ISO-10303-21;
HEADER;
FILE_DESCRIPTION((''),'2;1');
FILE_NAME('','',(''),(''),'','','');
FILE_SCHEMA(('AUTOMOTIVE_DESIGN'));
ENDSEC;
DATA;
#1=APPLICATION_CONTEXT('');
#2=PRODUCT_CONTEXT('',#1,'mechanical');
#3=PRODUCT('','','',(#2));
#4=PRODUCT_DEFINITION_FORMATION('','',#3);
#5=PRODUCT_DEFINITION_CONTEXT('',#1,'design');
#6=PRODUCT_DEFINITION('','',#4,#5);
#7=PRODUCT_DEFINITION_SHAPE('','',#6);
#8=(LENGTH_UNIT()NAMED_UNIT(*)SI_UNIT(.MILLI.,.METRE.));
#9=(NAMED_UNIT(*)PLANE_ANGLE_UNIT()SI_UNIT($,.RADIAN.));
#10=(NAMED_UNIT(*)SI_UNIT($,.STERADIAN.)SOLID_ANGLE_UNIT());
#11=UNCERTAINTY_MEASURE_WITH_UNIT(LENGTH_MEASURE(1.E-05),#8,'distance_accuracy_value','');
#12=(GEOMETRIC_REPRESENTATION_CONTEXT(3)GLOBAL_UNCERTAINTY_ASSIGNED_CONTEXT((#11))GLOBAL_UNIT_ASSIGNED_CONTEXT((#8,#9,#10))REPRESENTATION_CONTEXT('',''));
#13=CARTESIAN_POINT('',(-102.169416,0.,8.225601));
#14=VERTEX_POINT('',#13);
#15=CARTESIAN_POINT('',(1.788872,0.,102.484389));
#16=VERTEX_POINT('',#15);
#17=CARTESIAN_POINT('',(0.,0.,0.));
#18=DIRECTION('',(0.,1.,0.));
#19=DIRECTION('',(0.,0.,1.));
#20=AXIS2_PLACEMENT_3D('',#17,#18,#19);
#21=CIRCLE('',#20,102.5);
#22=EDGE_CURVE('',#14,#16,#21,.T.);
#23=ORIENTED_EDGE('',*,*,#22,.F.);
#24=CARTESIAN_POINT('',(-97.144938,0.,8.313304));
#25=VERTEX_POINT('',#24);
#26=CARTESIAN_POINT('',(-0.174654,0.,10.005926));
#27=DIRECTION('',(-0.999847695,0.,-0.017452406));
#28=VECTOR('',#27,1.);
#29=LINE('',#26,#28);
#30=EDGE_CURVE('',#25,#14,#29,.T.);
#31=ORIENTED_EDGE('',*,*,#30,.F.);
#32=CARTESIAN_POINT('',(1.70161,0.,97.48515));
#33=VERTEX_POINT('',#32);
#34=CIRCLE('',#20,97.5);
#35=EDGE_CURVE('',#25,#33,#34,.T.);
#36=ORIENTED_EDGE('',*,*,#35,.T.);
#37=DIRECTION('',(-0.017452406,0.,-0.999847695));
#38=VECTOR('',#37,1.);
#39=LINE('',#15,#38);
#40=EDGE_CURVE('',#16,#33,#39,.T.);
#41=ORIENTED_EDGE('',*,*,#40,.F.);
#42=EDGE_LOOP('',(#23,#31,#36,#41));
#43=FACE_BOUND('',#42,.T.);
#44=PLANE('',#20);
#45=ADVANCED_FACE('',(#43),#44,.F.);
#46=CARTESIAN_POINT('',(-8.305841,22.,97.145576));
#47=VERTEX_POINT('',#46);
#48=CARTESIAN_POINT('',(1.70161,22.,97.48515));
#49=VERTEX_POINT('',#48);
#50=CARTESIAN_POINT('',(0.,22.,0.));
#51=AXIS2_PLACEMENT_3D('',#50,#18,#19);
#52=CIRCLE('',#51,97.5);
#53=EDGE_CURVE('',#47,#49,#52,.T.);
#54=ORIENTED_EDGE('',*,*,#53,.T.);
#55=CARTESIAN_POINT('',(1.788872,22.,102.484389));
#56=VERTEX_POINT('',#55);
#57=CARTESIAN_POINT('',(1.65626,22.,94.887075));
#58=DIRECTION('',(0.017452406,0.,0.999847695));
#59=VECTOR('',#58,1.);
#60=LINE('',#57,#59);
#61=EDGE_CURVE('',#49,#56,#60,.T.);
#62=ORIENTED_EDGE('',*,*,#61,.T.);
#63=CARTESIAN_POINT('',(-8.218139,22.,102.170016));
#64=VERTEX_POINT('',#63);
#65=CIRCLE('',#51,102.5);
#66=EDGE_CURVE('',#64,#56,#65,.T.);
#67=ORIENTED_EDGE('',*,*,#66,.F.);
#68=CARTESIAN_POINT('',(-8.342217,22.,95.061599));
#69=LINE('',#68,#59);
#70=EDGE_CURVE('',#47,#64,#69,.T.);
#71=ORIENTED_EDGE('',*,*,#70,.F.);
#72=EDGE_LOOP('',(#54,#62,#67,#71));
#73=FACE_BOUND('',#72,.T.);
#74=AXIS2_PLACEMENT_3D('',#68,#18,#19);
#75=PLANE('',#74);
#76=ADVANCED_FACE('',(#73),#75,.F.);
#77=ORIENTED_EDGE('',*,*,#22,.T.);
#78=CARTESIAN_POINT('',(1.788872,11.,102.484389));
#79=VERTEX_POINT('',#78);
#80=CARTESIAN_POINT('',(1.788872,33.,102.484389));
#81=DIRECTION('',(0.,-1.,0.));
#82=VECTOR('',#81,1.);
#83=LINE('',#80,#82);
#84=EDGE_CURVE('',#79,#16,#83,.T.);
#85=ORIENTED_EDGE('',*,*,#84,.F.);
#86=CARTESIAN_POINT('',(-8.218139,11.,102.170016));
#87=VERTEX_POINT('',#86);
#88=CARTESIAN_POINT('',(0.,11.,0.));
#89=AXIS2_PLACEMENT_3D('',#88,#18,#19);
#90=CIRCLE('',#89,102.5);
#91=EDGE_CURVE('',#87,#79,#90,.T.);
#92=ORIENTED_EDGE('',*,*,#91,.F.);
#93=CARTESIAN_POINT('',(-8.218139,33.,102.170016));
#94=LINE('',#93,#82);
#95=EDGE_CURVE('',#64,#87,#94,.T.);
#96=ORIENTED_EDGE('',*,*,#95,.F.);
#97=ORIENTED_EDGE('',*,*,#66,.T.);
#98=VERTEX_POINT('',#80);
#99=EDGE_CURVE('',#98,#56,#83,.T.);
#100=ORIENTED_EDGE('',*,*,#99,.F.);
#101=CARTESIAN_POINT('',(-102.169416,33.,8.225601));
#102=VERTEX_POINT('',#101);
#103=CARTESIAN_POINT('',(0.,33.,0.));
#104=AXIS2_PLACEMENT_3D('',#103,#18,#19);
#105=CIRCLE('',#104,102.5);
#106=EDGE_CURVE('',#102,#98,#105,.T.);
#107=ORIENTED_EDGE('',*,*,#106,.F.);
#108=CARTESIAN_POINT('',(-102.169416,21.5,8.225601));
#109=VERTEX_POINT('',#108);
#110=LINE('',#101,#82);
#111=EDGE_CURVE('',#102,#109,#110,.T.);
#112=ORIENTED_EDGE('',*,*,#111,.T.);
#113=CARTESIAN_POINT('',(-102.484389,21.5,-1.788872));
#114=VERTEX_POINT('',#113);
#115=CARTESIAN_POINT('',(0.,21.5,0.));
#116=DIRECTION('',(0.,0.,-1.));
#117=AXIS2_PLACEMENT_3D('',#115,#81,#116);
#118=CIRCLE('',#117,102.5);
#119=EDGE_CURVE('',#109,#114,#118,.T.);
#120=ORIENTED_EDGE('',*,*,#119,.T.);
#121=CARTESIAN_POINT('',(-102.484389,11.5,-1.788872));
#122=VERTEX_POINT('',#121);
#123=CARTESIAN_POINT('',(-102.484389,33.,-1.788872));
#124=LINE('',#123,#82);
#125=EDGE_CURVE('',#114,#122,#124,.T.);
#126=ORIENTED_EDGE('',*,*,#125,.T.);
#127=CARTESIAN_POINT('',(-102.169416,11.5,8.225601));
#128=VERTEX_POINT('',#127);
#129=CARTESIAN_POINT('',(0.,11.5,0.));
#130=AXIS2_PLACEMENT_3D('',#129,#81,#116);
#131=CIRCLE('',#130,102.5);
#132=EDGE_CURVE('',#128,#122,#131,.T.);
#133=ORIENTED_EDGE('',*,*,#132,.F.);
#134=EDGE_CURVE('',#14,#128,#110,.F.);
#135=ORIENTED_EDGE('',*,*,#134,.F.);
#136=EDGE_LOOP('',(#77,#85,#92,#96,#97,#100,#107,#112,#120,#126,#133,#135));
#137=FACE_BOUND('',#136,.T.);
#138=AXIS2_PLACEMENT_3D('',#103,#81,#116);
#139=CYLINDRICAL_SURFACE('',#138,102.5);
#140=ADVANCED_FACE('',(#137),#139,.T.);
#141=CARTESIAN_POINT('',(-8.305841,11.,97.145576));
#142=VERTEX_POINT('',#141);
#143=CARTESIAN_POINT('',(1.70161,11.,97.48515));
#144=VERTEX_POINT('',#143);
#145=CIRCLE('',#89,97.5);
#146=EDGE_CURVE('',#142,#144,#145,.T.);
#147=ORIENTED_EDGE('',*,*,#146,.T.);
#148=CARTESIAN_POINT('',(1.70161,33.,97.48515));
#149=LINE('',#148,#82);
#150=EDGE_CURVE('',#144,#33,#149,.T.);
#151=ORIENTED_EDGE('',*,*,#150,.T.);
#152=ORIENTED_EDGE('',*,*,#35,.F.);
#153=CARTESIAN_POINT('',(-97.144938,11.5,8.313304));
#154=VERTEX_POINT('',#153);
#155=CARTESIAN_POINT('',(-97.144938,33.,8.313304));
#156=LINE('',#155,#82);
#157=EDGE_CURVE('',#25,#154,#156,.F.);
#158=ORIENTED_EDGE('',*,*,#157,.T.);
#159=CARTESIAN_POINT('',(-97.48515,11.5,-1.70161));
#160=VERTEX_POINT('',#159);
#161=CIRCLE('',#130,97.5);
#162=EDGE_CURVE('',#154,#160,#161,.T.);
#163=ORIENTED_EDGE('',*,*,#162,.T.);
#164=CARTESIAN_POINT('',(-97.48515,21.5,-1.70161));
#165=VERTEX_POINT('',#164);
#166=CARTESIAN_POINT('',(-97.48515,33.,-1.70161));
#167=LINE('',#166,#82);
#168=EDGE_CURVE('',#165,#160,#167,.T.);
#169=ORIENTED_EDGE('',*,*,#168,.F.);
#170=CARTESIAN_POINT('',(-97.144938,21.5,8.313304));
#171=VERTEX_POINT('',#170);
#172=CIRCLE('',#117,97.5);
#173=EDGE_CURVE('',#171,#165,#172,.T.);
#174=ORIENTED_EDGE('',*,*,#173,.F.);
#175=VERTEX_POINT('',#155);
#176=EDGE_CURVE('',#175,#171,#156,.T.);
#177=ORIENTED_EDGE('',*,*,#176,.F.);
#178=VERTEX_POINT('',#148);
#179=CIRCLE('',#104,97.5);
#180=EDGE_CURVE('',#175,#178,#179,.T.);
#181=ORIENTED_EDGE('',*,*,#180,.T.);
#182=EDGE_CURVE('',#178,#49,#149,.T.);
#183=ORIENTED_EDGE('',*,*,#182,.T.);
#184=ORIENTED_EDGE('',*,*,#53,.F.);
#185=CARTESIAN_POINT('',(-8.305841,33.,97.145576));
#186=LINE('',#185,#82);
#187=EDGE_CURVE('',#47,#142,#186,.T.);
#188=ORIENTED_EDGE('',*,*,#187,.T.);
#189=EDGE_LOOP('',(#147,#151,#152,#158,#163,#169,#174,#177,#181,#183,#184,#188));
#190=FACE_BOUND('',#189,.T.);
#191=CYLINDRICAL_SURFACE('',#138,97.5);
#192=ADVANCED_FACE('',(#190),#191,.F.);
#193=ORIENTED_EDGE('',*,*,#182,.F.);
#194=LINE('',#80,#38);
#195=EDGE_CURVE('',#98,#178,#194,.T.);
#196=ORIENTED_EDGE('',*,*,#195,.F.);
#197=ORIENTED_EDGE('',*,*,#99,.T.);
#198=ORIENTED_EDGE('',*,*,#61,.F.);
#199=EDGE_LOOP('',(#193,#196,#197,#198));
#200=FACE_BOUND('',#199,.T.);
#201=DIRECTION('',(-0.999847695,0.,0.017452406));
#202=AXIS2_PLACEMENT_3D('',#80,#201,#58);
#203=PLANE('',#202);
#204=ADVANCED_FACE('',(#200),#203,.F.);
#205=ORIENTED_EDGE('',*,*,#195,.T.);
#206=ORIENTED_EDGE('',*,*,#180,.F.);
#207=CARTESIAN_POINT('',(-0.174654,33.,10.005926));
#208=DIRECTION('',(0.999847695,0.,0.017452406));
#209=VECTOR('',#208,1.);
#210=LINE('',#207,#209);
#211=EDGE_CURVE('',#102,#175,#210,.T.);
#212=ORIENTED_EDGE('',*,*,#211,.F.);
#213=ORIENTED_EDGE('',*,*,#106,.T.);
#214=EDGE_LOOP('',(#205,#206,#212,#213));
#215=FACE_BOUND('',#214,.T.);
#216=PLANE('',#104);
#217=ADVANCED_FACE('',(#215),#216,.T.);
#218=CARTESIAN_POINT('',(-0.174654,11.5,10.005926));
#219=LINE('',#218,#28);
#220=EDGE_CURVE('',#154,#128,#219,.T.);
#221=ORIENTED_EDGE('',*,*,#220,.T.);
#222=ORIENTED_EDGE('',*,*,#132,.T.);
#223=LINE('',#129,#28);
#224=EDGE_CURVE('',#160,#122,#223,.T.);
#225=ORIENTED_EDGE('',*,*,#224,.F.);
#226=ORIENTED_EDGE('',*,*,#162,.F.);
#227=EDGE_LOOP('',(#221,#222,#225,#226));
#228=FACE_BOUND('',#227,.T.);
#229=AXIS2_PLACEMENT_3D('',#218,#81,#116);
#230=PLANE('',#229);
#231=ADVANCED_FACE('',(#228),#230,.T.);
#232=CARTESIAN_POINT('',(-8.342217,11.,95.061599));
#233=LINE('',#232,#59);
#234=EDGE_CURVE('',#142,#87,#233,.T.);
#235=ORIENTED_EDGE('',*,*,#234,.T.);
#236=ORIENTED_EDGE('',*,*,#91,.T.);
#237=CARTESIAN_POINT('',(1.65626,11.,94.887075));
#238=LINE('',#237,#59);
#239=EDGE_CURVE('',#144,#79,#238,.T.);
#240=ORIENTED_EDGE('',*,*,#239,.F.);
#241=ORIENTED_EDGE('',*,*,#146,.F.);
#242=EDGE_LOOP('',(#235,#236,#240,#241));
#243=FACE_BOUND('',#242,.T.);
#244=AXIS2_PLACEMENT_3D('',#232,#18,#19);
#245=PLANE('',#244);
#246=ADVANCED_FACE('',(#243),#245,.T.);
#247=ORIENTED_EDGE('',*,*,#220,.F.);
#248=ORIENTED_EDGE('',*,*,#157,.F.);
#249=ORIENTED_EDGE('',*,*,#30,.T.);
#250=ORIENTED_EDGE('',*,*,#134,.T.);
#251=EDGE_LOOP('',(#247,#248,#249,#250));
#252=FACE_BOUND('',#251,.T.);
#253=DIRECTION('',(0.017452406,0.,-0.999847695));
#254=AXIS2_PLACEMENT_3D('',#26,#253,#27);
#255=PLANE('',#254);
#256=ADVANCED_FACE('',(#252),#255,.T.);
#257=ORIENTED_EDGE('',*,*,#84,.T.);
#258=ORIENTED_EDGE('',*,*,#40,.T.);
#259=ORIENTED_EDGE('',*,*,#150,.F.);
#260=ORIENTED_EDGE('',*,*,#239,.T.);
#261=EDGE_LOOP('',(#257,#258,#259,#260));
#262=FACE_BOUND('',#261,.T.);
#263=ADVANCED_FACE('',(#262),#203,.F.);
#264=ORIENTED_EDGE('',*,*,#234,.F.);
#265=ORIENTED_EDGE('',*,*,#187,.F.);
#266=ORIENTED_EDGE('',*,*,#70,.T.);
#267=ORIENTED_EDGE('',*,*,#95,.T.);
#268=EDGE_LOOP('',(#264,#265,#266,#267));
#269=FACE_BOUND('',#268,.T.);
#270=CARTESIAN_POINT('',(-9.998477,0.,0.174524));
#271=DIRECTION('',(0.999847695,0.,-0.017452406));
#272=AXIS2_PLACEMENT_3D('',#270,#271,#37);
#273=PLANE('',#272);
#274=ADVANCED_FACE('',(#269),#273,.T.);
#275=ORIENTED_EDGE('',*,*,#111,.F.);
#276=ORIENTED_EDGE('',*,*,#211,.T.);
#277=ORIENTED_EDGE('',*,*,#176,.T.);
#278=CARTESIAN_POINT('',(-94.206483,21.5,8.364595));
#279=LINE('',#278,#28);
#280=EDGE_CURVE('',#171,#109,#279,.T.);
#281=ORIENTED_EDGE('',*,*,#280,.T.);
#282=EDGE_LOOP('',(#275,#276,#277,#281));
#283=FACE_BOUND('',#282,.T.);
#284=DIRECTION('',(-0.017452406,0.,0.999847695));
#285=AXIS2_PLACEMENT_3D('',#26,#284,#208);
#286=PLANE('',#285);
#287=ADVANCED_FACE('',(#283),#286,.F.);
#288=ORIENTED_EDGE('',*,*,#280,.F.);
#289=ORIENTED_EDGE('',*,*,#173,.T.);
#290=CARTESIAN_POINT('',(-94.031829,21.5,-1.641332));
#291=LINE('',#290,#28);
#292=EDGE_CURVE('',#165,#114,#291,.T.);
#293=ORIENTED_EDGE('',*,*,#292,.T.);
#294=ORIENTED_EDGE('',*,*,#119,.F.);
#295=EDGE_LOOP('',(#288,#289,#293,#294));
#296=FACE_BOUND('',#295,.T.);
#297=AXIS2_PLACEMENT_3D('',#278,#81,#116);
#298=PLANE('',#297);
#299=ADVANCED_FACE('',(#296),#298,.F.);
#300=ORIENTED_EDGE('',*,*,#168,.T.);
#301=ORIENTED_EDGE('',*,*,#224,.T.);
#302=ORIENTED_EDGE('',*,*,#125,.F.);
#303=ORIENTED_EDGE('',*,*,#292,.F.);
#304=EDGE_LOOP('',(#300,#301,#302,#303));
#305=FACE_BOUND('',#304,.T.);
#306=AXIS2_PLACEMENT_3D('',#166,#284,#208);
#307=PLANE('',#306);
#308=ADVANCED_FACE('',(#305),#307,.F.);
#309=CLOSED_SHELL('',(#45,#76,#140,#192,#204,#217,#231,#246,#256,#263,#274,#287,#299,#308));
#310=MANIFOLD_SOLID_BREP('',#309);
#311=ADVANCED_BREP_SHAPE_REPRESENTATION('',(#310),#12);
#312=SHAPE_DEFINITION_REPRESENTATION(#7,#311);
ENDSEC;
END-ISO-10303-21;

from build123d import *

# Parameters (mm, degrees)
BOSS_EXTRUDE3_DEPTH = 33
SKETCH3_W           = 10.19694267
SKETCH3_H           = 11
CUT_EXTRUDE1_DEPTH  = 10
SKETCH4_W           = 3.453847424
SKETCH4_H           = 11.5
SKETCH4_W_2         = 5
SKETCH4_W_3         = 11.907694848
CUT_EXTRUDE2_DEPTH  = 10.007450565


with BuildPart() as part:
    # Sketch1 → Boss-Extrude3 (new body)
    with BuildSketch(Plane(origin=(0, 0, 0), x_dir=(1, 0, 0), z_dir=(0, 1, 0))):
        with BuildLine():
            Line((-97.485150278, 1.701609628), (-102.484388754, 1.78887166))
            ThreePointArc((-102.484388754, 1.78887166), (-72.478445072, -72.478445072), (1.78887166, -102.484388754))
            Line((1.78887166, -102.484388754), (1.701609628, -97.485150278))
            ThreePointArc((1.701609628, -97.485150278), (-68.942911166, -68.942911166), (-97.485150278, 1.701609628))
        make_face()
    extrude(amount=BOSS_EXTRUDE3_DEPTH)

    # Sketch3 → Cut-Extrude1 (cut)
    with BuildSketch(Plane(origin=(0, 0, 0), x_dir=(-0.017452406437284955, 0, -0.9998476951563913), z_dir=(0.9998476951563912, 0, -0.01745240643728495))):
        with Locations((-100, 16.5)):
            Rectangle(SKETCH3_W, SKETCH3_H)
    extrude(amount=-CUT_EXTRUDE1_DEPTH, mode=Mode.SUBTRACT)

    # Sketch4 → Cut-Extrude2 (cut)
    with BuildSketch(Plane(origin=(0, 0, 0), x_dir=(-0.9998476951563914, 0, -0.01745240643727919), z_dir=(0.01745240643727919, 0, -0.9998476951563914))):
        with Locations((104.226923712, 5.75)):
            Rectangle(SKETCH4_W, SKETCH4_H)
        with Locations((95.773076288, 5.75)):
            Rectangle(SKETCH4_W, SKETCH4_H)
        with Locations((100, 5.75)):
            Rectangle(SKETCH4_W_2, SKETCH4_H)
        with Locations((100, 27.25)):
            Rectangle(SKETCH4_W_3, SKETCH4_H)
    extrude(amount=-CUT_EXTRUDE2_DEPTH, mode=Mode.SUBTRACT)


solid = part.part
